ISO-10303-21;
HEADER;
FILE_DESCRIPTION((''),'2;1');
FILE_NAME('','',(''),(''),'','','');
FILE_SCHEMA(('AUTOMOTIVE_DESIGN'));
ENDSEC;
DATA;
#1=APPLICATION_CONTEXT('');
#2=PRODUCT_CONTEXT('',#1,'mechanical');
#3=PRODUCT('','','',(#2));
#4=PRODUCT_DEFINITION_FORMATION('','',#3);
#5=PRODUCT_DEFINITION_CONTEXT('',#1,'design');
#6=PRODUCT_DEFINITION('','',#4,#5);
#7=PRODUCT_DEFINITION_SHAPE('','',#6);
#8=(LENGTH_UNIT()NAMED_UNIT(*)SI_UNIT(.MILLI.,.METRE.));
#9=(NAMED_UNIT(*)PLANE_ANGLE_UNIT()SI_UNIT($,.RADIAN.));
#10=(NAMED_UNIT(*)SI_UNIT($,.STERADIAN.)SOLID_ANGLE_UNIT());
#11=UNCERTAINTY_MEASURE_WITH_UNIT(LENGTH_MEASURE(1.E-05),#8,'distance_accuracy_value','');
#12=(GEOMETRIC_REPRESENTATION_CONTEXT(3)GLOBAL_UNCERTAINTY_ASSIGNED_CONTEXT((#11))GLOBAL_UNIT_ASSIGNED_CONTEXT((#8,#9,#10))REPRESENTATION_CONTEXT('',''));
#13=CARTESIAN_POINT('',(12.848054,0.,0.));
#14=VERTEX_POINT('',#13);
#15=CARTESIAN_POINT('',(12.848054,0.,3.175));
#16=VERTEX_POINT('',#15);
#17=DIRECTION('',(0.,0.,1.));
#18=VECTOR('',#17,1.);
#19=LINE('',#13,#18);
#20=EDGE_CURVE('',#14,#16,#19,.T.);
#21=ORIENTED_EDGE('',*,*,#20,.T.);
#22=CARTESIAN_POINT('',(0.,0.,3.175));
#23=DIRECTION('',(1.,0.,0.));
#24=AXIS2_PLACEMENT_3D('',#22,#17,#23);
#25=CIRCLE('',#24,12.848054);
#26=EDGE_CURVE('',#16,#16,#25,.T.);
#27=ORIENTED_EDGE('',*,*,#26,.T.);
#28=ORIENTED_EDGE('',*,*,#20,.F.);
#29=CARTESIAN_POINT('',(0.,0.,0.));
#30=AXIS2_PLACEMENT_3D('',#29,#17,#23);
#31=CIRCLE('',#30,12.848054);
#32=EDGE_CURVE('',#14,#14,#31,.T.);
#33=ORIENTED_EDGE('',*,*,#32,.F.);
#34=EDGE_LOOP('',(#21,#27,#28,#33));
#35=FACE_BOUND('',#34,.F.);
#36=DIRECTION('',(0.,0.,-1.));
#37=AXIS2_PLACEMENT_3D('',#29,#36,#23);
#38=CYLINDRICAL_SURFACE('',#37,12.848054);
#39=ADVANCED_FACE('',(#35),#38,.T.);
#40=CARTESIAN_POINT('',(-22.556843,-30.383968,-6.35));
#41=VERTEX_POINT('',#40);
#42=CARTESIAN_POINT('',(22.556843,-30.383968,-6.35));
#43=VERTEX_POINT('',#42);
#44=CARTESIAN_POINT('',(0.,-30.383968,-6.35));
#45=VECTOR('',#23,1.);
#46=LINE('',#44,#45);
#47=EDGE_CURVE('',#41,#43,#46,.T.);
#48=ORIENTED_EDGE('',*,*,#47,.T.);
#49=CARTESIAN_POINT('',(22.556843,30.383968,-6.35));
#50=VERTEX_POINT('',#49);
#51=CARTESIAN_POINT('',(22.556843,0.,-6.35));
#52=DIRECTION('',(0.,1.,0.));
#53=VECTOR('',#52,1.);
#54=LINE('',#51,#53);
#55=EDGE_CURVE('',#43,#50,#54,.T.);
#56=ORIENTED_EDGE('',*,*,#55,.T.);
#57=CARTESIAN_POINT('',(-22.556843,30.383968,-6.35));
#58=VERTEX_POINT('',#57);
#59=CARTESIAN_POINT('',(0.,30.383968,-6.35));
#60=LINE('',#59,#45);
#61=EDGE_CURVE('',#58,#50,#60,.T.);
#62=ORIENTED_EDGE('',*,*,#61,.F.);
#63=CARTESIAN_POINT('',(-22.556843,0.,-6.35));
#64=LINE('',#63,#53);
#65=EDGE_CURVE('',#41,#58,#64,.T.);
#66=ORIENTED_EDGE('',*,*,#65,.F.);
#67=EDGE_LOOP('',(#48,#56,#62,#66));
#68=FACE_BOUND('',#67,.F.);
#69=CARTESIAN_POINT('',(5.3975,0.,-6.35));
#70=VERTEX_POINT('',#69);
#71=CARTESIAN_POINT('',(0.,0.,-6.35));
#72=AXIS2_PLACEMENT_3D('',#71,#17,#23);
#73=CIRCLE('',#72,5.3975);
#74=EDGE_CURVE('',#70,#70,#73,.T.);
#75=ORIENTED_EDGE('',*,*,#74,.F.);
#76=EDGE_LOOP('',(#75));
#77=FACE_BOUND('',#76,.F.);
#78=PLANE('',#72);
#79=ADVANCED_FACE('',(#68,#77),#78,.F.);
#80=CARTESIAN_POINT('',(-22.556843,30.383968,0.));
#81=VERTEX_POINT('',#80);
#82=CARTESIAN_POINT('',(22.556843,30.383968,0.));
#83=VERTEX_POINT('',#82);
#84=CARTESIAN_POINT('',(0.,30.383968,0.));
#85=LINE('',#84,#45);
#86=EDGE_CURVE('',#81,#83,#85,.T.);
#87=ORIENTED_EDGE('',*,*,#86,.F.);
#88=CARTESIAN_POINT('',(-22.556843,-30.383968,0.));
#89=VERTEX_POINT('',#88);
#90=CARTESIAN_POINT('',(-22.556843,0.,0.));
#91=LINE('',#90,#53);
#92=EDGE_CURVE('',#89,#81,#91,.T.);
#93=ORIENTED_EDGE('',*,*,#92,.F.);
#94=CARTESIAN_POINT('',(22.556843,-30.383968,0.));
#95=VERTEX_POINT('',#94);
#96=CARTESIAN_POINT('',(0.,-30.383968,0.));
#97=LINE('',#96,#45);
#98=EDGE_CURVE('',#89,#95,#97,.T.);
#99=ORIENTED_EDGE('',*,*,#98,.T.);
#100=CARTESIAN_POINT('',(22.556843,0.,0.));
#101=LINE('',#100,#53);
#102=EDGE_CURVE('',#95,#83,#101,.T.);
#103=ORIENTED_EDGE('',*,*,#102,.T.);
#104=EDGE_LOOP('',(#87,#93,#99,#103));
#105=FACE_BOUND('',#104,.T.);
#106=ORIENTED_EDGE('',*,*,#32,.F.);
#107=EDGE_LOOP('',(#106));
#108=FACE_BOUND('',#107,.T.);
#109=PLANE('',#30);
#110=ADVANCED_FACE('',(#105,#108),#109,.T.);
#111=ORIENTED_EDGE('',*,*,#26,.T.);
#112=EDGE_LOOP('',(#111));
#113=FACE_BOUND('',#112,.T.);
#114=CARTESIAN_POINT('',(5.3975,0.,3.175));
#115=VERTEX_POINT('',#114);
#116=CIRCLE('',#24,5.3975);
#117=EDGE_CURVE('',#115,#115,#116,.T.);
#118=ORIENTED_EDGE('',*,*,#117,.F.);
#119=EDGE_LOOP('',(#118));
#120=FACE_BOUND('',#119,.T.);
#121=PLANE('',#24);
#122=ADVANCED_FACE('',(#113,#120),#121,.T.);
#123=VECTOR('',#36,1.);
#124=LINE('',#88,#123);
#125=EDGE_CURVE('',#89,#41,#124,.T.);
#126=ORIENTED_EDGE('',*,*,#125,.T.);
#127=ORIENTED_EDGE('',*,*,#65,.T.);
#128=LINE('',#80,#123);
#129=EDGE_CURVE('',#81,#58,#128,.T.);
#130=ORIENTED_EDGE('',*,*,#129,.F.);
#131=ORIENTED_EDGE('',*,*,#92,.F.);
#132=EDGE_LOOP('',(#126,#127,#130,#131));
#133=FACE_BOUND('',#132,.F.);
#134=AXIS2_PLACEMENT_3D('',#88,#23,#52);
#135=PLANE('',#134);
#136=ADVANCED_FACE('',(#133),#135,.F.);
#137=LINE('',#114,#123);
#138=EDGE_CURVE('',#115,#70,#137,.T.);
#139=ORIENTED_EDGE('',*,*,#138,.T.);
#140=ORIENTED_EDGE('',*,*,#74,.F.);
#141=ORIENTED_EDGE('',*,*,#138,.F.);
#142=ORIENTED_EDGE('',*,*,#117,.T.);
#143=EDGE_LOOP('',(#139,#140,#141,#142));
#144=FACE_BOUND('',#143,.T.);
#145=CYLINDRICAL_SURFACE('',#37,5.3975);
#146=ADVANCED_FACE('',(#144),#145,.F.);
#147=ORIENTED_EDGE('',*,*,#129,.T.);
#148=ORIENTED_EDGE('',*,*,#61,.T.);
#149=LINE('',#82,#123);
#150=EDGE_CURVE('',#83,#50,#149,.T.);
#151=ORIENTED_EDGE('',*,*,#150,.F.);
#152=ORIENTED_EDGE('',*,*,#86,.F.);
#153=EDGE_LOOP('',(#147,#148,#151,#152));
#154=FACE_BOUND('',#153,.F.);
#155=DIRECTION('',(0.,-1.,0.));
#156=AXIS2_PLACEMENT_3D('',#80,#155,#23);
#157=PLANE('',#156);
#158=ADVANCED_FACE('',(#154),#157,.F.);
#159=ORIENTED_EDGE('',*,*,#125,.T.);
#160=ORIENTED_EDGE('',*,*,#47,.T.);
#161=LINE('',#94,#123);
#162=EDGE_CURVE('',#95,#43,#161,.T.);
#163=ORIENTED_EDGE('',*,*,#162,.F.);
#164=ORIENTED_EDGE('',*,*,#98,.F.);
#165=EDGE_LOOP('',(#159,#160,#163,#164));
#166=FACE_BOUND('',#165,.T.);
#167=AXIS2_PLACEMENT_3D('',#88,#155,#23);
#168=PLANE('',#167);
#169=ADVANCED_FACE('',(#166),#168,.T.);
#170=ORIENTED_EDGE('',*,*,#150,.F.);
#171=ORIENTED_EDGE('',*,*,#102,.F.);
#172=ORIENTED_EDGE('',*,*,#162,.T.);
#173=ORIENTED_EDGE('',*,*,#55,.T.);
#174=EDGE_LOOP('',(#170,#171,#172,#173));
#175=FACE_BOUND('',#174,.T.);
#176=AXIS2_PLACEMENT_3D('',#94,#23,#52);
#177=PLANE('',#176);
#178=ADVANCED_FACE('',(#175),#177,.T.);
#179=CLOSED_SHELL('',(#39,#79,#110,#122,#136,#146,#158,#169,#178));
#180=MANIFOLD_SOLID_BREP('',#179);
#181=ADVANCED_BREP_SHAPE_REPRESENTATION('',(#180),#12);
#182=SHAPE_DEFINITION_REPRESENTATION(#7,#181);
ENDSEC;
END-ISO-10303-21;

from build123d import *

# Parameters (mm, degrees)
F0_W     = 45.113686
F0_H     = 60.767936
F0_R     = 12.848054
F0_R_2   = 5.3975
F1_DEPTH = 6.35
F2_DEPTH = 3.175


with BuildPart() as f1:
    # F0 (on Top) → F1 (new body)
    with BuildSketch(Plane.XY):
        Rectangle(F0_W, F0_H)
        Circle(F0_R, mode=Mode.SUBTRACT)
        Circle(F0_R)
        Circle(F0_R_2, mode=Mode.SUBTRACT)
    extrude(amount=-F1_DEPTH)

    # F0 (on Top) → F2 (join)
    with BuildSketch(Plane.XY):
        Circle(F0_R)
        Circle(F0_R_2, mode=Mode.SUBTRACT)
    extrude(amount=F2_DEPTH)


solid = f1.part
